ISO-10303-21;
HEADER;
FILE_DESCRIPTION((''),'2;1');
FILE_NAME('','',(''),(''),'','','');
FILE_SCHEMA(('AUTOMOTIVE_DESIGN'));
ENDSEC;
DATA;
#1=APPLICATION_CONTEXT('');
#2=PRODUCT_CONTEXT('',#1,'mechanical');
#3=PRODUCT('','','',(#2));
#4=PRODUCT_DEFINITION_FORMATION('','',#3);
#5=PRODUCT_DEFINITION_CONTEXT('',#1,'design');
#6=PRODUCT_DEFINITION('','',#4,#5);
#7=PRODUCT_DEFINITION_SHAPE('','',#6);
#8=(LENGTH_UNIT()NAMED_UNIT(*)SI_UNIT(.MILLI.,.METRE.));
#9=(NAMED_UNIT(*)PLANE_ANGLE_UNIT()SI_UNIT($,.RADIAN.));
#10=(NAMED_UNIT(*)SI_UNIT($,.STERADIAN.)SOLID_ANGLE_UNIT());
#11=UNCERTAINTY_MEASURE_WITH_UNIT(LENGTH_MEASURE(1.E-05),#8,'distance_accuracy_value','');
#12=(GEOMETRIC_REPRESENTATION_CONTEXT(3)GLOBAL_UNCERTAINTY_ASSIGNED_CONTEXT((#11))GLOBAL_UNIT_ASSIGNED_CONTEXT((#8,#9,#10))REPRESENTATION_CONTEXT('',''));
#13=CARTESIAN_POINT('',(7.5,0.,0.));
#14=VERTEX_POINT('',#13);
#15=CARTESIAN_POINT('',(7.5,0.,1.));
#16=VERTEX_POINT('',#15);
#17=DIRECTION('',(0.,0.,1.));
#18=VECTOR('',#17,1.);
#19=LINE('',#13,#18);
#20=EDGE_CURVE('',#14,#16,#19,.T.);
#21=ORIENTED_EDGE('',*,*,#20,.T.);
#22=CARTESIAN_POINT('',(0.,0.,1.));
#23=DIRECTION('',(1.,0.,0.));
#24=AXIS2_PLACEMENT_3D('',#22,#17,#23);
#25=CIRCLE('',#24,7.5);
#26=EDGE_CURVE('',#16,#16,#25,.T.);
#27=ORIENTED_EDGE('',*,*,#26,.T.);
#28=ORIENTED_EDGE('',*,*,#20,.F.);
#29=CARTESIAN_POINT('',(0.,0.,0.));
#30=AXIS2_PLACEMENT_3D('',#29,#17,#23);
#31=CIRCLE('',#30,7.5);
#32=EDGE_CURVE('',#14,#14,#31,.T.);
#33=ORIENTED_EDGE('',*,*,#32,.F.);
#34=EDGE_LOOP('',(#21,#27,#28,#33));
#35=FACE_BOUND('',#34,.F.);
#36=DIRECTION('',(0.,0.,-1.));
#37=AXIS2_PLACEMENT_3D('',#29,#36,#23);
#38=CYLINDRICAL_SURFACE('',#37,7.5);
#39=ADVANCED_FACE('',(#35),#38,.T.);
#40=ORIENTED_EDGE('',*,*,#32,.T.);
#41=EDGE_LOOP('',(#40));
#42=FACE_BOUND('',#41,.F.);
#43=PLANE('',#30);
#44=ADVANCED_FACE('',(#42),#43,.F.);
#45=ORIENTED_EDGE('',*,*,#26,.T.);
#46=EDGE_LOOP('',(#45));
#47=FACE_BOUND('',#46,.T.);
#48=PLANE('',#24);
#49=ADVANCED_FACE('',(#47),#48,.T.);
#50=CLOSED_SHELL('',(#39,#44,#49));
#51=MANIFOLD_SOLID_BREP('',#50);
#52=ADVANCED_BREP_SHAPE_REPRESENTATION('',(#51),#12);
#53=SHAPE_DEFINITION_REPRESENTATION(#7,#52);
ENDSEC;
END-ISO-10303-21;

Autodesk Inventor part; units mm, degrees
ref_plane "YZ Plane" through (0, 0, 0) normal (1, 0, 0) x (0, 1, 0)
ref_plane "XZ Plane" through (0, 0, 0) normal (0, 1, 0) x (-1, 0, 0)
ref_plane "XY Plane" through (0, 0, 0) normal (0, 0, 1) x (1, 0, 0)
sketch "Sketch1" plane through (0, 0, 0) normal (0, 0, 1) x (1, 0, 0)
  circle A0 centre (0, 0) radius 7.5
  dimension "d0" = 15
extrude "Extrusion1" add sketch "Sketch1" along normal blind 1
